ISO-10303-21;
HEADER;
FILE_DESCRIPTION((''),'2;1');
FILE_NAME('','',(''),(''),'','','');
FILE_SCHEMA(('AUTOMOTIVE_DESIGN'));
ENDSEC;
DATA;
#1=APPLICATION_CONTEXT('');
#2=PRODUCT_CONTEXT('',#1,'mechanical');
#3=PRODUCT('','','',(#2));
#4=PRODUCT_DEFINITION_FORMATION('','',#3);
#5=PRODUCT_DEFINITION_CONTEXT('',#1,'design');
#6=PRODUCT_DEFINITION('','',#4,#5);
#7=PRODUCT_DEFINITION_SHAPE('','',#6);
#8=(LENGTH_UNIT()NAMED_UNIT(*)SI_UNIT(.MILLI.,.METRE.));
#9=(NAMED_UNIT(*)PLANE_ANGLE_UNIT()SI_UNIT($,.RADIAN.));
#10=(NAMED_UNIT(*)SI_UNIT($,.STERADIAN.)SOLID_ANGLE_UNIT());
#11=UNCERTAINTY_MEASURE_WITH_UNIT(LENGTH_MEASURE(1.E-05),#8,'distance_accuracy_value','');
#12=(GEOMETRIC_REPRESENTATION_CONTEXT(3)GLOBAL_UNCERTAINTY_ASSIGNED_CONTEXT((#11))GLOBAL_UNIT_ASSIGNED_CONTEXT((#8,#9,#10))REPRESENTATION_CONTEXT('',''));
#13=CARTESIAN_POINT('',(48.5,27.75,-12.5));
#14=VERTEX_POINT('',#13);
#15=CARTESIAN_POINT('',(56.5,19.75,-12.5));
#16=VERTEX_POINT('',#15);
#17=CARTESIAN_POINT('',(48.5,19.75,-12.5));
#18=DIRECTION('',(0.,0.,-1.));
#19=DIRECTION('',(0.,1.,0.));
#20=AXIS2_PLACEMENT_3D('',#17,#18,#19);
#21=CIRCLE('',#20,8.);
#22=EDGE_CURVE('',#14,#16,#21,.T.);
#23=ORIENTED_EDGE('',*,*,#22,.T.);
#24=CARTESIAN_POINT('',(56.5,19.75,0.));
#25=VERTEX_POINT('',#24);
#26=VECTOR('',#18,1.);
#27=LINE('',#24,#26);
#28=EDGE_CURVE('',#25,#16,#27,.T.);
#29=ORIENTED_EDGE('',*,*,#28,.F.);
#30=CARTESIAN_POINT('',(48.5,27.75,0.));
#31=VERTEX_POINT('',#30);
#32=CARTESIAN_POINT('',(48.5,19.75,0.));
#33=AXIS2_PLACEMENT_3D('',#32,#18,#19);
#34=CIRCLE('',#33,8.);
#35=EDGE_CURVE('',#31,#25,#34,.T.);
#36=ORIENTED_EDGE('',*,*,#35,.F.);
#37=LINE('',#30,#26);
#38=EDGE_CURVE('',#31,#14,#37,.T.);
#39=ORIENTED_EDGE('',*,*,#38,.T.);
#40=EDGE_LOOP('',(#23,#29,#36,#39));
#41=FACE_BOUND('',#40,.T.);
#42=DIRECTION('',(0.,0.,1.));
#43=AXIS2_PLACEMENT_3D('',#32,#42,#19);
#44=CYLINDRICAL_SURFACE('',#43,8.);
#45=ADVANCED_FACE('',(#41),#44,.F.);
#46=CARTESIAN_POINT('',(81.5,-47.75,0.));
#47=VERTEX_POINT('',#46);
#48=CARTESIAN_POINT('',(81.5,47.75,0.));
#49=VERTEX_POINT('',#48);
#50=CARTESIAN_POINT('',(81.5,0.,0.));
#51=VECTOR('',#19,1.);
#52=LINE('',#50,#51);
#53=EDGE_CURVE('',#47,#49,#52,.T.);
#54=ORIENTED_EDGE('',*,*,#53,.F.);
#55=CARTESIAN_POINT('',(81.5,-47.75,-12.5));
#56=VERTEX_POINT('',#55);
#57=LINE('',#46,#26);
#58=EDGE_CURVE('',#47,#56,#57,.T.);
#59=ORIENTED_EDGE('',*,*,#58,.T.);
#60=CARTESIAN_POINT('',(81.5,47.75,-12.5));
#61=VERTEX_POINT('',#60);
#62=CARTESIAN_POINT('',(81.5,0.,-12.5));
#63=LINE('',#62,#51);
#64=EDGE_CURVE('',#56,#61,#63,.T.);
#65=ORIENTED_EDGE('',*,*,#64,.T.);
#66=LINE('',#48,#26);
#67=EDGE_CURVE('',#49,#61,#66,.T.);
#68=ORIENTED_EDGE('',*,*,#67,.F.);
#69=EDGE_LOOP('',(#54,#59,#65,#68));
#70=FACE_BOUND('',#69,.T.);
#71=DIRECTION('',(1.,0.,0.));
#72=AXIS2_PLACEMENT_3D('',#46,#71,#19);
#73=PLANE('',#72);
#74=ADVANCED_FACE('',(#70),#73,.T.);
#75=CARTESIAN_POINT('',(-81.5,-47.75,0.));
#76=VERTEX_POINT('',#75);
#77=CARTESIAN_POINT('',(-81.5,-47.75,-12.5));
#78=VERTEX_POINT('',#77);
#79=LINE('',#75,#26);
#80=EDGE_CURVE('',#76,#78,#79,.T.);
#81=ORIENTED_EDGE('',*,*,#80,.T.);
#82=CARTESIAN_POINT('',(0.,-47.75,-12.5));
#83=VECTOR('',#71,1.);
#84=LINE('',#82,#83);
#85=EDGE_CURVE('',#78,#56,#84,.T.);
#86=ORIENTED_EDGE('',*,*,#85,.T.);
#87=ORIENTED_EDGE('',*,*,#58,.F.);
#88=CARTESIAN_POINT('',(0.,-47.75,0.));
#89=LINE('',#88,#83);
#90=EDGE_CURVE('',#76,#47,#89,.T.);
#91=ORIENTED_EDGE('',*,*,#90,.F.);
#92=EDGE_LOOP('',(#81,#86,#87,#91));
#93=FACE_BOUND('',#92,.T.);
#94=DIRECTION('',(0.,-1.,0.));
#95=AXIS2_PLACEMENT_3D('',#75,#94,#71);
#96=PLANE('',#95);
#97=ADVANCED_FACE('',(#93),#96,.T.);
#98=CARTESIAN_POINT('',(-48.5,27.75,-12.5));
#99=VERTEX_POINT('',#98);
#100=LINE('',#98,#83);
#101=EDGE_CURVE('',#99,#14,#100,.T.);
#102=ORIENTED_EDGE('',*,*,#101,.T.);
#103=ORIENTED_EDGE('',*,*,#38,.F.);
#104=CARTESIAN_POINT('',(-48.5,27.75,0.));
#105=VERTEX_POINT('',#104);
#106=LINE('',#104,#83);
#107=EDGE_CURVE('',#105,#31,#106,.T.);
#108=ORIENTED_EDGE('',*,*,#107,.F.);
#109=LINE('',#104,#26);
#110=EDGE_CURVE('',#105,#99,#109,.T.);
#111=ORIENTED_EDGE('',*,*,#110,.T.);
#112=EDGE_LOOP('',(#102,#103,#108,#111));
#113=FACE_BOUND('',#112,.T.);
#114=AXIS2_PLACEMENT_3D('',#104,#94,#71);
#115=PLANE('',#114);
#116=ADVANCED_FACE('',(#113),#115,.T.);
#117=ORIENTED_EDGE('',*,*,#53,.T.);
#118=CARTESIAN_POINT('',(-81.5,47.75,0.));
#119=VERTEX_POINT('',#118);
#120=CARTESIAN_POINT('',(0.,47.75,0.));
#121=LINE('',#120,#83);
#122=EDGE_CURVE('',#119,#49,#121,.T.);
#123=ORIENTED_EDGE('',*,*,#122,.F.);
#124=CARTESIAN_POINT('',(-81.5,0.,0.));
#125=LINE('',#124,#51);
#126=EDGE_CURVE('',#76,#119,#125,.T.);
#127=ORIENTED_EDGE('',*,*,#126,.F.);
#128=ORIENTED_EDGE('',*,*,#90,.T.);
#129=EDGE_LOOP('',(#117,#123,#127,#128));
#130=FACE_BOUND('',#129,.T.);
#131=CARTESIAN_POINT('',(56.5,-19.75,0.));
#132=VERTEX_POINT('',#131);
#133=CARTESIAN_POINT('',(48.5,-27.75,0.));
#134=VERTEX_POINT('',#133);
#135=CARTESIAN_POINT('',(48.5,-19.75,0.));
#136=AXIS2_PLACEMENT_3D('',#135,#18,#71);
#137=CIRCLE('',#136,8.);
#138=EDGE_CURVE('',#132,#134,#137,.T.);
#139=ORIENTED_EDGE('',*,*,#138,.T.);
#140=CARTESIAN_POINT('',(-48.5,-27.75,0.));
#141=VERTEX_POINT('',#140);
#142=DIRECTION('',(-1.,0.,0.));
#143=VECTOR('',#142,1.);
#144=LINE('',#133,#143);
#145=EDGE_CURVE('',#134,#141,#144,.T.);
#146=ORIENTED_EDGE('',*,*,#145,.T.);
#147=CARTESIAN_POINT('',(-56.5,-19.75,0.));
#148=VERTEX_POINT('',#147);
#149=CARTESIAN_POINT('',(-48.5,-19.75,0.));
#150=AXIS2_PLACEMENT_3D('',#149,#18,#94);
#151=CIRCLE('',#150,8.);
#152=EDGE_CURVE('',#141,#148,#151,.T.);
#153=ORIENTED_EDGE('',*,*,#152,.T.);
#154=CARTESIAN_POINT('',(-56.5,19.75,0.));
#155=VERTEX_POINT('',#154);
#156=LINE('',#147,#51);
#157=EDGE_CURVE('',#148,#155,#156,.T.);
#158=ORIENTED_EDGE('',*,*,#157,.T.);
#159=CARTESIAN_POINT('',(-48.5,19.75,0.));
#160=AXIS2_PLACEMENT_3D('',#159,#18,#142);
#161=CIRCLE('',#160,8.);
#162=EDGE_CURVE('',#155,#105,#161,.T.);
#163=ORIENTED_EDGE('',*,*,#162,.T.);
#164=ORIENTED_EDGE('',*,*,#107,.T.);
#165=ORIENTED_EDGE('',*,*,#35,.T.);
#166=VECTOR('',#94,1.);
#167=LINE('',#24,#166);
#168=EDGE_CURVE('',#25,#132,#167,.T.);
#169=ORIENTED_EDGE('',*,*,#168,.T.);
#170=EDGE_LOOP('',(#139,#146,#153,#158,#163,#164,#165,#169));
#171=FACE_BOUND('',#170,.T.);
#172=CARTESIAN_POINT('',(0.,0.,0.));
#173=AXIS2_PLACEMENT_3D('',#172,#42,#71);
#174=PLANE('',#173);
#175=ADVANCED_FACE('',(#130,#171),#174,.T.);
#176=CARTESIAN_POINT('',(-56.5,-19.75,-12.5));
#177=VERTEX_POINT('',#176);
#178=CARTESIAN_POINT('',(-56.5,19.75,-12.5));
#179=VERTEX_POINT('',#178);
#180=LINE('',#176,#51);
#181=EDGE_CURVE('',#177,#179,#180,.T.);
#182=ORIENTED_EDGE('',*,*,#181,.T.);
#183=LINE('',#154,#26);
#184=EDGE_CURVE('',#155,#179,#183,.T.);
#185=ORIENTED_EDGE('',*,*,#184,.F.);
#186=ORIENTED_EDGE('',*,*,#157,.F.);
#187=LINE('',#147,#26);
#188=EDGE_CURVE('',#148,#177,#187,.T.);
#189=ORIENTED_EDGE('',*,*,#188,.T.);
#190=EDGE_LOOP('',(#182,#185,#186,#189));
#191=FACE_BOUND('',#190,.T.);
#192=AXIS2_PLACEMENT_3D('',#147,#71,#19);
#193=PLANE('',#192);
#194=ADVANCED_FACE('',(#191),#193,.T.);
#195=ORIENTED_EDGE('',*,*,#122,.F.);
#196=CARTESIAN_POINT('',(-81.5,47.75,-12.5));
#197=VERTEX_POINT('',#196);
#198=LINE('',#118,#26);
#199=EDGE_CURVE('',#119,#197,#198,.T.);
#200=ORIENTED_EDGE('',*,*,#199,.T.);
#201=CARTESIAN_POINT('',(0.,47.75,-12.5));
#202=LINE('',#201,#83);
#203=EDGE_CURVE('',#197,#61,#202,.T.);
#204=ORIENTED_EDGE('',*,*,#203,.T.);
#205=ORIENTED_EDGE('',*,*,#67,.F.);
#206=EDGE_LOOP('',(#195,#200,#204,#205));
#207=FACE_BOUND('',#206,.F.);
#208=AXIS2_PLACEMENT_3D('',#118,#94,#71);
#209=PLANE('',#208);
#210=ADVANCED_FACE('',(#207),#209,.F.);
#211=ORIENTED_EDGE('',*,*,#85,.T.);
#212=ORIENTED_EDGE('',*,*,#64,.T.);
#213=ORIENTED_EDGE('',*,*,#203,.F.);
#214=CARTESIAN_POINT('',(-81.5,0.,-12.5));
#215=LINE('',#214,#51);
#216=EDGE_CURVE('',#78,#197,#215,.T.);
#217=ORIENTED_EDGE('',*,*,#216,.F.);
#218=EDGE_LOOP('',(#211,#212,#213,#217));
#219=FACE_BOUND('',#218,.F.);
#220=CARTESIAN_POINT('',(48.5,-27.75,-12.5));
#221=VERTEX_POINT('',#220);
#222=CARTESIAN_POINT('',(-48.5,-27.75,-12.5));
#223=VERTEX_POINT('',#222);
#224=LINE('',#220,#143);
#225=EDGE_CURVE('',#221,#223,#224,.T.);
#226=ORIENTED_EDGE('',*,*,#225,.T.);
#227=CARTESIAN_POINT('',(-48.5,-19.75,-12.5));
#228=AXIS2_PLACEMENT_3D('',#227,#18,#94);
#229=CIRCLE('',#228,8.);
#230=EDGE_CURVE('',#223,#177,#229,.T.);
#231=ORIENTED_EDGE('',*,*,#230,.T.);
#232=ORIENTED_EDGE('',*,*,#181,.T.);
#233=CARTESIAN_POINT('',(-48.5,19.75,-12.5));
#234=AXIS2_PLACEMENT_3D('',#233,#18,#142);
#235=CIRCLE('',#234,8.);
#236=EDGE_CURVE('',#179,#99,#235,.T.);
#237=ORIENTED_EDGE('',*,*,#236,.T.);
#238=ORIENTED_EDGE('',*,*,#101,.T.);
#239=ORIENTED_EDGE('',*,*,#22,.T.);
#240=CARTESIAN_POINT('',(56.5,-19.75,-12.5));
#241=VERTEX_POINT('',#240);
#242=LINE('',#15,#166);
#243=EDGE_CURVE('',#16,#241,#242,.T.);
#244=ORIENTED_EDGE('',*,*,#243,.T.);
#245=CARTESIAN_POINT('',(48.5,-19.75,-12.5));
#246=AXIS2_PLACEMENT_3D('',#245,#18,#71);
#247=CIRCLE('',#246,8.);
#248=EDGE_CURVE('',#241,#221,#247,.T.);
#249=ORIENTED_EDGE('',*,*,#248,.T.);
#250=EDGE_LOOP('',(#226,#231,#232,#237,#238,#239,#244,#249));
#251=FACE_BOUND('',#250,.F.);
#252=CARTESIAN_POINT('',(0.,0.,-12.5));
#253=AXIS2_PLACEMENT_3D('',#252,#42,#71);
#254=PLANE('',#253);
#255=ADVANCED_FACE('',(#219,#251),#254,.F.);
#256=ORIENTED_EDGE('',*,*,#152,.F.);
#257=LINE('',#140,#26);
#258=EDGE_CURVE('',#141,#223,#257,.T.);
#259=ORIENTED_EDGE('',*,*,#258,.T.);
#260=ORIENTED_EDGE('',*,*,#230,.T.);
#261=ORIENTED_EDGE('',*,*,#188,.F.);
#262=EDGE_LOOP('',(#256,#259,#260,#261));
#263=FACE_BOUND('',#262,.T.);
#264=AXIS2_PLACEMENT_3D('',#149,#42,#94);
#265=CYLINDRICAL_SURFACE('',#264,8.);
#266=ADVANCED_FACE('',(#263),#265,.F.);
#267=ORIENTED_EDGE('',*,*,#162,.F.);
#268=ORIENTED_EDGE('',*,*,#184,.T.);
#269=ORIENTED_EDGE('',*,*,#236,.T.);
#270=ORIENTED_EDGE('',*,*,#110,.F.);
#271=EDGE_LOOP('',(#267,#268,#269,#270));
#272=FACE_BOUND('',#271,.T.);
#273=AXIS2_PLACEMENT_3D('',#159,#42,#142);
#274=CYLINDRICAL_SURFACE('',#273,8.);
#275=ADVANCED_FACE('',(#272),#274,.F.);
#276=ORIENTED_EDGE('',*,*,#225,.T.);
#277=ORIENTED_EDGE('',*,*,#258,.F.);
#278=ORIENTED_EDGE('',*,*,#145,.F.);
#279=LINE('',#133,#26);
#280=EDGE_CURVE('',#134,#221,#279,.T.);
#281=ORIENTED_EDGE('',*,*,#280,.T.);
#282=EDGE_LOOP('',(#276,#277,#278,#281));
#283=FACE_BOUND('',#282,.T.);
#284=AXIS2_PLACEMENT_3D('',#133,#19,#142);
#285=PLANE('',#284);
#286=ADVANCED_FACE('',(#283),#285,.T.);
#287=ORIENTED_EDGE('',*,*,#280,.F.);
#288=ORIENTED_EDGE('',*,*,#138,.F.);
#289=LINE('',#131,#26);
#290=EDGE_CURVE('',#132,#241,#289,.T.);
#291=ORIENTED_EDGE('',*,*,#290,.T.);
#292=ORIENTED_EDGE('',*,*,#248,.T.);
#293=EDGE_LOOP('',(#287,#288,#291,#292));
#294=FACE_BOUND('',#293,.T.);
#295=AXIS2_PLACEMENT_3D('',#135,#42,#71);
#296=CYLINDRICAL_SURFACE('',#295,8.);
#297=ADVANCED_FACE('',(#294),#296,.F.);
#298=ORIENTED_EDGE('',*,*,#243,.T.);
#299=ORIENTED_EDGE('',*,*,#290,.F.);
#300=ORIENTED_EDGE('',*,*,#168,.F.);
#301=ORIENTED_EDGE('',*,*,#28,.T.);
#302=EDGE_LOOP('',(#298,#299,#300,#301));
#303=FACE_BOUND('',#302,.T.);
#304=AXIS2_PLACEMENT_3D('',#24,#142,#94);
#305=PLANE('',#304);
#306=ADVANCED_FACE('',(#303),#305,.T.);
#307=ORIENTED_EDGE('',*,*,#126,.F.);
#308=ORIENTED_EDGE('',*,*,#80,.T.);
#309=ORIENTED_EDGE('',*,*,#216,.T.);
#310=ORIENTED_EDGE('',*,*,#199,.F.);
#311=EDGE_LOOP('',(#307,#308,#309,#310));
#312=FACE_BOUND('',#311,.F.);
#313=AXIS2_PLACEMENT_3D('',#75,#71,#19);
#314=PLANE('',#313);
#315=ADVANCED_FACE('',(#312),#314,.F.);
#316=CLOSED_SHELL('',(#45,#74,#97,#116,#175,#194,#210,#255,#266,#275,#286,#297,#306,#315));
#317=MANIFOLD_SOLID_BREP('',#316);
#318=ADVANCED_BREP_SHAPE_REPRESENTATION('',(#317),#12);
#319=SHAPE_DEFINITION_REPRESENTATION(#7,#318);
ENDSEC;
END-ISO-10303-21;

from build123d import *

# Parameters (mm, degrees)
F1_W     = 163
F1_H     = 95.5
F2_DEPTH = 12.5


with BuildPart() as f2:
    # F1 (on Top) → F2 (new body)
    with BuildSketch(Plane.XY):
        Rectangle(F1_W, F1_H)
        with BuildLine():
            ThreePointArc((-56.5, 19.75), (-54.1568542495, 25.4068542495), (-48.5, 27.75))
            Line((-48.5, 27.75), (48.5, 27.75))
            ThreePointArc((48.5, 27.75), (54.1568542495, 25.4068542495), (56.5, 19.75))
            Line((56.5, 19.75), (56.5, -19.75))
            ThreePointArc((56.5, -19.75), (54.1568542495, -25.4068542495), (48.5, -27.75))
            Line((48.5, -27.75), (-48.5, -27.75))
            ThreePointArc((-48.5, -27.75), (-54.1568542495, -25.4068542495), (-56.5, -19.75))
            Line((-56.5, -19.75), (-56.5, 19.75))
        make_face(mode=Mode.SUBTRACT)
    extrude(amount=-F2_DEPTH)


solid = f2.part
